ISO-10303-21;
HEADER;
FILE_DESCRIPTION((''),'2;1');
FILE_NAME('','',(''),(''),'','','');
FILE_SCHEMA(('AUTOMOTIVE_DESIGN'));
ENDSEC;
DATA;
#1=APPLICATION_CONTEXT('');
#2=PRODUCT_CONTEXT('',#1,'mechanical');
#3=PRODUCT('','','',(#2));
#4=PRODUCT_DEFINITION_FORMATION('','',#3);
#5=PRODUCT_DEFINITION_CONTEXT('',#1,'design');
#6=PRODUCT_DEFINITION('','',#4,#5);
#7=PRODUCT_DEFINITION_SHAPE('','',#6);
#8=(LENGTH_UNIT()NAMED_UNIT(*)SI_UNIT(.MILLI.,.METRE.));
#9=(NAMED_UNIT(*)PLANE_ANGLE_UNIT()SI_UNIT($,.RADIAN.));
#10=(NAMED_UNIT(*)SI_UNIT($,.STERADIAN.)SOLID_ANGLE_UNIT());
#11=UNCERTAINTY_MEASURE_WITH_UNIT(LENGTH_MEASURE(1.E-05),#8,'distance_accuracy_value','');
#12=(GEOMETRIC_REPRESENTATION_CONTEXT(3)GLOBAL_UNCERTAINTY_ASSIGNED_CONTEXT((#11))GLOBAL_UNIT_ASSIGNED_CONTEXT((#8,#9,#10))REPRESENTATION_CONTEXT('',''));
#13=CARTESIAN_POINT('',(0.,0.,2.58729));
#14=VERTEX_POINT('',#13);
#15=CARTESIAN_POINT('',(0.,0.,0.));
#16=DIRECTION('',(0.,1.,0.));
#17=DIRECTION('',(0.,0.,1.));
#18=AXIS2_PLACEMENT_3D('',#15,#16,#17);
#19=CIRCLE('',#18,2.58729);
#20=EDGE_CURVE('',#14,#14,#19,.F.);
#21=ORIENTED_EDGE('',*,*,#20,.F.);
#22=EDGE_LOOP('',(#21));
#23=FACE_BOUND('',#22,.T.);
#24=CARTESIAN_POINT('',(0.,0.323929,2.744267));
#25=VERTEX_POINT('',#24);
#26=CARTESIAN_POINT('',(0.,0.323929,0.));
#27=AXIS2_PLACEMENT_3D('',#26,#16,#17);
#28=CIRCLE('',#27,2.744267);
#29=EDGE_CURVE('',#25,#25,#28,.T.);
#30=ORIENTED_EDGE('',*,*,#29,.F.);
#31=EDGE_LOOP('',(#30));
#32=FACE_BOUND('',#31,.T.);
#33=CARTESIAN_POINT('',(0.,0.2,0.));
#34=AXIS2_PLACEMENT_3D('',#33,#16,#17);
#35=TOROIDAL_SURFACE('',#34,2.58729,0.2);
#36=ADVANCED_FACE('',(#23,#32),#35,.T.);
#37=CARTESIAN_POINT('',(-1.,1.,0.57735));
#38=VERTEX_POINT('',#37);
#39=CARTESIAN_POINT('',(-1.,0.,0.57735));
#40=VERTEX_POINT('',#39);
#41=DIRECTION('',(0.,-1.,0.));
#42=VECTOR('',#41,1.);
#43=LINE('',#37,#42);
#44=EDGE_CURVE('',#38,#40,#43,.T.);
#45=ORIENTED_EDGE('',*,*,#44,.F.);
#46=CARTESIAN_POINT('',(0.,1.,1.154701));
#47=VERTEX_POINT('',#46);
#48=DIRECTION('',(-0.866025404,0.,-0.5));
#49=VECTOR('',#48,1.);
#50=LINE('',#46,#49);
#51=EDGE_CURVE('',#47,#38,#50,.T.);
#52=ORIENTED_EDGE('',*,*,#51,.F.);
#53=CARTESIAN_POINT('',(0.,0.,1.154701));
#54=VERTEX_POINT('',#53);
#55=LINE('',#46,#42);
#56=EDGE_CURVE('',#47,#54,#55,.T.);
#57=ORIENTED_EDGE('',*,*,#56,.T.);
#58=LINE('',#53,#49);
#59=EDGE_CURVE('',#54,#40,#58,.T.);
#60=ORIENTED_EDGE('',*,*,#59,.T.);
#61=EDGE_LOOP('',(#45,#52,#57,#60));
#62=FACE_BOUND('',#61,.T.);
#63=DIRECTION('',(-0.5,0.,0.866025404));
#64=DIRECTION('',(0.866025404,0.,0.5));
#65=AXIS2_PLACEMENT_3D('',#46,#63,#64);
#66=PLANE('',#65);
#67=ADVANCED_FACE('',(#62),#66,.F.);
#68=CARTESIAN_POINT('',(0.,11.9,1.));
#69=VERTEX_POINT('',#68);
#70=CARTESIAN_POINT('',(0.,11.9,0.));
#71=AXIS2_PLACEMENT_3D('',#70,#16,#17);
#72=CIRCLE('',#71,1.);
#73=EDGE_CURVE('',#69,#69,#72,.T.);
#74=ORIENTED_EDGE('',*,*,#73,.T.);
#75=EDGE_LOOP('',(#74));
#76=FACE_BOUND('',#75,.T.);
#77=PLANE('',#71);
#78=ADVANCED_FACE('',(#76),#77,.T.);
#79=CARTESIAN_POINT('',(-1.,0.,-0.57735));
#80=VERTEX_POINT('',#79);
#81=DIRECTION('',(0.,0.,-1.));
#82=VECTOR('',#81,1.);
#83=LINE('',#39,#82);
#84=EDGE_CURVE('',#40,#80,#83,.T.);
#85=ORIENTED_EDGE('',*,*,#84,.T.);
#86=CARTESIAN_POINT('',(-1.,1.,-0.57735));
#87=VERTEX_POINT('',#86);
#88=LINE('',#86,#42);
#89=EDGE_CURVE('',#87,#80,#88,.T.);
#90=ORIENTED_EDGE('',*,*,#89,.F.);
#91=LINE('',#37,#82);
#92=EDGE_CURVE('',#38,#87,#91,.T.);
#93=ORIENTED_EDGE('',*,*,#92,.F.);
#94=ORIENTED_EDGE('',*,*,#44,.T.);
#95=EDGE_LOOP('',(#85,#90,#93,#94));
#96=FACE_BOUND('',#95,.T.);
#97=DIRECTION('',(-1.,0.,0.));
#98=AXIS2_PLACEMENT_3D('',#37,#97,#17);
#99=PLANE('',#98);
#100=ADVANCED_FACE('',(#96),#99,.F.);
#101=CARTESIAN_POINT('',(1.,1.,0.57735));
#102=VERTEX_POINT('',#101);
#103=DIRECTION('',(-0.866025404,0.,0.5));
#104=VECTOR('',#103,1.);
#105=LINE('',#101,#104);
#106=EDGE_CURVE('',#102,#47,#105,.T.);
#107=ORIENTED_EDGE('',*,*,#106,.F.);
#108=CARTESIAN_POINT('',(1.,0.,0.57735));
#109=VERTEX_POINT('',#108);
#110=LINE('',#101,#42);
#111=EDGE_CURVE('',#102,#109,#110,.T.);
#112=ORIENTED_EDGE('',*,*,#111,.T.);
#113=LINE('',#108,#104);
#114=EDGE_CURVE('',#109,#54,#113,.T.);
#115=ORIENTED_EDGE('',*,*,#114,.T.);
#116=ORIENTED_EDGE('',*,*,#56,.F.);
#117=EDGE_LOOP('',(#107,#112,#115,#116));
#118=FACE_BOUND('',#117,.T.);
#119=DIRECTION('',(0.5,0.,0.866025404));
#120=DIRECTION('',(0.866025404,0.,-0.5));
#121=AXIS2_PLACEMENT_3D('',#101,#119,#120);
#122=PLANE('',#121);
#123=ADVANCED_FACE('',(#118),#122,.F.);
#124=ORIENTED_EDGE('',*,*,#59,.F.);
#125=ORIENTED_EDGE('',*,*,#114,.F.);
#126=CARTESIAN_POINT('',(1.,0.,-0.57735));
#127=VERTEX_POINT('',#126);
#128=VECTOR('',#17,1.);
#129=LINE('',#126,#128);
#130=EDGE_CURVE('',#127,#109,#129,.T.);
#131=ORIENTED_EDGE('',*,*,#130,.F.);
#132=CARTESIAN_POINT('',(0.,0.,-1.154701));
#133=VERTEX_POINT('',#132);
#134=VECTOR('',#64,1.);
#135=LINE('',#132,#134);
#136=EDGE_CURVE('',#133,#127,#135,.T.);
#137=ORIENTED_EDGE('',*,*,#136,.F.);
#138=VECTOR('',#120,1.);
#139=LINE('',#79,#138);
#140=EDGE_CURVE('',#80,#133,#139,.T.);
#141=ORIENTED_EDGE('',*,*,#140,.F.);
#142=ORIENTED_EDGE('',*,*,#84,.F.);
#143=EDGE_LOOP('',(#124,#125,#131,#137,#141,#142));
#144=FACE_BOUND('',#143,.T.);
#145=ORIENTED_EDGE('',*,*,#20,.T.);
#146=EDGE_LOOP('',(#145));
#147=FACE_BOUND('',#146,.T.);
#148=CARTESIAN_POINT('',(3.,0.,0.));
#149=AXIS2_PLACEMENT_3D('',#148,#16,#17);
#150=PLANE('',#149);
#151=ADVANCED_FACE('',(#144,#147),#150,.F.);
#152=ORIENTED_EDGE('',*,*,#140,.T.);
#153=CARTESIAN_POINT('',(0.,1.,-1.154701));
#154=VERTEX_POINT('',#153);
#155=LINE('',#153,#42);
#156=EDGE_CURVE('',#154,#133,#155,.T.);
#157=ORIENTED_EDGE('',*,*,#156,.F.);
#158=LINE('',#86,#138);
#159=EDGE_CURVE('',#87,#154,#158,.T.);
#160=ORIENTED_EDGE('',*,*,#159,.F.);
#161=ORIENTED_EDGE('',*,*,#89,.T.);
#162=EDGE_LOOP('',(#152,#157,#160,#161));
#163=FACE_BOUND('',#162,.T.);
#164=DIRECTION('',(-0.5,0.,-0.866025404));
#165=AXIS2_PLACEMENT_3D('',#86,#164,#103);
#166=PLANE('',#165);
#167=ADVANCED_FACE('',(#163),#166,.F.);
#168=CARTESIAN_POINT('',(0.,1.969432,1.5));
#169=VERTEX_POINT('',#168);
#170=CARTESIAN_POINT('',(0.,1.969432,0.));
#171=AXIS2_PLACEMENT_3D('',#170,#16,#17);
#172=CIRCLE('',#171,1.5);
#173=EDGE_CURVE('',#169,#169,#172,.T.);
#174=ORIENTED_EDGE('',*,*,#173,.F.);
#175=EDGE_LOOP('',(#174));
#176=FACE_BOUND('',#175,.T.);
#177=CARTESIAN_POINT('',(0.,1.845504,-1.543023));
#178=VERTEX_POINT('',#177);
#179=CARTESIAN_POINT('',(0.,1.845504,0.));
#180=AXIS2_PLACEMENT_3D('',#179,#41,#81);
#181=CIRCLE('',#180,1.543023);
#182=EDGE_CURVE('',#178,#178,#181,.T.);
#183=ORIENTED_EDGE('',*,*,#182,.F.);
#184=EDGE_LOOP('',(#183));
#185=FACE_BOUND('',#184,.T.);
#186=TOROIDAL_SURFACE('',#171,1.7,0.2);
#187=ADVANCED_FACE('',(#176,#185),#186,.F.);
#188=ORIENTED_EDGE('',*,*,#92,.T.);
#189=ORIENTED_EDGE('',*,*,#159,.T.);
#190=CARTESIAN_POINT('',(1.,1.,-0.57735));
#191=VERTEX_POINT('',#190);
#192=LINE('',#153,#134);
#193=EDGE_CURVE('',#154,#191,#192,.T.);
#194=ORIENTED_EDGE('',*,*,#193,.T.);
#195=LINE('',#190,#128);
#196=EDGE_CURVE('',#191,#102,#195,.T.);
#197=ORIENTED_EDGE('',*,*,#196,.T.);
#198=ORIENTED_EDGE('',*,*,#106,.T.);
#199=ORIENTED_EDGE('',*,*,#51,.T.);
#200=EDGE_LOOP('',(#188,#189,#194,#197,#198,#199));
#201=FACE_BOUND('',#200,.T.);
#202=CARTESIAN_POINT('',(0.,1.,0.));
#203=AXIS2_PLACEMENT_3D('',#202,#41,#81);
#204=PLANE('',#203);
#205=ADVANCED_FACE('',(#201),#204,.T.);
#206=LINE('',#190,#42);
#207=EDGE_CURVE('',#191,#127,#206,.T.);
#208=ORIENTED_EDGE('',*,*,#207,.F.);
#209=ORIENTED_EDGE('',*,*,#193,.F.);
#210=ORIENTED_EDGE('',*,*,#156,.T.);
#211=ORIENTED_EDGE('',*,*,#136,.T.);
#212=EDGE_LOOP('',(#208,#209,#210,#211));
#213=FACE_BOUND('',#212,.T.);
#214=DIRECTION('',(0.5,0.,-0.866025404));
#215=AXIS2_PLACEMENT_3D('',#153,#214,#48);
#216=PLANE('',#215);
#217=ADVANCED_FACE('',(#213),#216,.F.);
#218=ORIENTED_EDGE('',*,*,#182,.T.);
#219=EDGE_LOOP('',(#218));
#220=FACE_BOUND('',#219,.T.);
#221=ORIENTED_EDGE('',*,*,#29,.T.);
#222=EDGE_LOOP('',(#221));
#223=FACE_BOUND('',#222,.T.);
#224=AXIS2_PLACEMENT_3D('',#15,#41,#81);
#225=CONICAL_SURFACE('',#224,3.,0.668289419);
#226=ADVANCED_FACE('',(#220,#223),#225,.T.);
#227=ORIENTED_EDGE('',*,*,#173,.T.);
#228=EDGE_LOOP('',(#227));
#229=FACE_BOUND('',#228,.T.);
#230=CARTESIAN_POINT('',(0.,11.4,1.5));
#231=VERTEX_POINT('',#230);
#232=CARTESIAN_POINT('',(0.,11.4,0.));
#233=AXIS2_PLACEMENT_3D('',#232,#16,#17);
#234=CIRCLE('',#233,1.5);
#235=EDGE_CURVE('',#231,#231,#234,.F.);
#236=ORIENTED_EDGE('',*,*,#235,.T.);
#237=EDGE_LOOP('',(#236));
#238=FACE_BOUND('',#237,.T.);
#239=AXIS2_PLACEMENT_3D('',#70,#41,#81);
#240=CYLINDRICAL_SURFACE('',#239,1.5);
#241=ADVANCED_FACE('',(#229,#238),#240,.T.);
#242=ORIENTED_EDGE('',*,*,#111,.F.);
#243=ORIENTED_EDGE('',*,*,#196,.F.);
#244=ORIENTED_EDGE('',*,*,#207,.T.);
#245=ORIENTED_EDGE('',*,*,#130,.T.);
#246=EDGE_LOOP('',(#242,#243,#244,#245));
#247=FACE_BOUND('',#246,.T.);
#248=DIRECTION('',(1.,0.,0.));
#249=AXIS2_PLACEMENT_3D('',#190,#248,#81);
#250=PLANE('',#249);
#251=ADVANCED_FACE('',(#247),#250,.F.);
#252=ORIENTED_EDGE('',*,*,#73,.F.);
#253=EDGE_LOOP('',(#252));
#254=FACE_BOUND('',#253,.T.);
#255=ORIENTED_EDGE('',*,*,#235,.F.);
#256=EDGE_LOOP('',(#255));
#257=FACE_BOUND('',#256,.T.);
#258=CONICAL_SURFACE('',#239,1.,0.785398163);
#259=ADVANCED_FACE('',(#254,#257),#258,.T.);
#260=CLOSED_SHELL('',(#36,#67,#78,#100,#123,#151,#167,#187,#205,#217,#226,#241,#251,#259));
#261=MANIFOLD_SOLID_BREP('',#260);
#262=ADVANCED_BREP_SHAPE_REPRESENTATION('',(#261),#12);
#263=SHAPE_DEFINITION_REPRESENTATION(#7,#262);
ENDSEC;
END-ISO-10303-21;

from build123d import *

# Parameters (mm, degrees)
SKETCH_2_R          = 1.5
EXTRUDE_1_DEPTH     = 10
CUT_EXTRUDE_1_DEPTH = 1
CHAMFER_1_SIZE      = 0.5
FILLET_1_R          = 0.2


with BuildPart() as part:
    # 草图1 → 旋转2 (revolve)
    with BuildSketch(Plane.XY, mode=Mode.PRIVATE) as revolve_2_sk:
        Polygon((0, 1.9), (1.5, 1.9), (3, 0), (0, 0), align=None)
    revolve(revolve_2_sk.sketch.rotate(Axis((0, 3.310292653, 0), (0, -1, 0)), 90), axis=Axis((0, 3.310292653, 0), (0, -1, 0)))

    # 草图2 → 凸台-拉伸1 (add)
    with BuildSketch(Plane(origin=(0, 1.9, 0), x_dir=(1, 0, 0), z_dir=(0, 1, 0))):
        with Locations(Location((0, 0, 0), (0, 0, 270))):
            Circle(SKETCH_2_R)
    extrude(amount=EXTRUDE_1_DEPTH)

    # 草图3 → 切除-拉伸1 (cut)
    with BuildSketch(Plane.XZ):
        Polygon((0, 1.154700538), (-1, 0.577350269), (-1, -0.577350269), (0, -1.154700538), (1, -0.577350269), (1, 0.577350269), align=None)
    extrude(amount=-CUT_EXTRUDE_1_DEPTH, mode=Mode.SUBTRACT)

    # 倒角1
    chamfer_1_edges = [part.edges().sort_by_distance(p)[0] for p in [
        (0, 11.9, -1.5),
    ]]
    chamfer(chamfer_1_edges, length=CHAMFER_1_SIZE)

    # 圆角1
    fillet_1_edges = [part.edges().sort_by_distance(p)[0] for p in [
        (0, 0, -3),
        (0, 1.9, -1.5),
    ]]
    fillet(fillet_1_edges, radius=FILLET_1_R)


solid = part.part
